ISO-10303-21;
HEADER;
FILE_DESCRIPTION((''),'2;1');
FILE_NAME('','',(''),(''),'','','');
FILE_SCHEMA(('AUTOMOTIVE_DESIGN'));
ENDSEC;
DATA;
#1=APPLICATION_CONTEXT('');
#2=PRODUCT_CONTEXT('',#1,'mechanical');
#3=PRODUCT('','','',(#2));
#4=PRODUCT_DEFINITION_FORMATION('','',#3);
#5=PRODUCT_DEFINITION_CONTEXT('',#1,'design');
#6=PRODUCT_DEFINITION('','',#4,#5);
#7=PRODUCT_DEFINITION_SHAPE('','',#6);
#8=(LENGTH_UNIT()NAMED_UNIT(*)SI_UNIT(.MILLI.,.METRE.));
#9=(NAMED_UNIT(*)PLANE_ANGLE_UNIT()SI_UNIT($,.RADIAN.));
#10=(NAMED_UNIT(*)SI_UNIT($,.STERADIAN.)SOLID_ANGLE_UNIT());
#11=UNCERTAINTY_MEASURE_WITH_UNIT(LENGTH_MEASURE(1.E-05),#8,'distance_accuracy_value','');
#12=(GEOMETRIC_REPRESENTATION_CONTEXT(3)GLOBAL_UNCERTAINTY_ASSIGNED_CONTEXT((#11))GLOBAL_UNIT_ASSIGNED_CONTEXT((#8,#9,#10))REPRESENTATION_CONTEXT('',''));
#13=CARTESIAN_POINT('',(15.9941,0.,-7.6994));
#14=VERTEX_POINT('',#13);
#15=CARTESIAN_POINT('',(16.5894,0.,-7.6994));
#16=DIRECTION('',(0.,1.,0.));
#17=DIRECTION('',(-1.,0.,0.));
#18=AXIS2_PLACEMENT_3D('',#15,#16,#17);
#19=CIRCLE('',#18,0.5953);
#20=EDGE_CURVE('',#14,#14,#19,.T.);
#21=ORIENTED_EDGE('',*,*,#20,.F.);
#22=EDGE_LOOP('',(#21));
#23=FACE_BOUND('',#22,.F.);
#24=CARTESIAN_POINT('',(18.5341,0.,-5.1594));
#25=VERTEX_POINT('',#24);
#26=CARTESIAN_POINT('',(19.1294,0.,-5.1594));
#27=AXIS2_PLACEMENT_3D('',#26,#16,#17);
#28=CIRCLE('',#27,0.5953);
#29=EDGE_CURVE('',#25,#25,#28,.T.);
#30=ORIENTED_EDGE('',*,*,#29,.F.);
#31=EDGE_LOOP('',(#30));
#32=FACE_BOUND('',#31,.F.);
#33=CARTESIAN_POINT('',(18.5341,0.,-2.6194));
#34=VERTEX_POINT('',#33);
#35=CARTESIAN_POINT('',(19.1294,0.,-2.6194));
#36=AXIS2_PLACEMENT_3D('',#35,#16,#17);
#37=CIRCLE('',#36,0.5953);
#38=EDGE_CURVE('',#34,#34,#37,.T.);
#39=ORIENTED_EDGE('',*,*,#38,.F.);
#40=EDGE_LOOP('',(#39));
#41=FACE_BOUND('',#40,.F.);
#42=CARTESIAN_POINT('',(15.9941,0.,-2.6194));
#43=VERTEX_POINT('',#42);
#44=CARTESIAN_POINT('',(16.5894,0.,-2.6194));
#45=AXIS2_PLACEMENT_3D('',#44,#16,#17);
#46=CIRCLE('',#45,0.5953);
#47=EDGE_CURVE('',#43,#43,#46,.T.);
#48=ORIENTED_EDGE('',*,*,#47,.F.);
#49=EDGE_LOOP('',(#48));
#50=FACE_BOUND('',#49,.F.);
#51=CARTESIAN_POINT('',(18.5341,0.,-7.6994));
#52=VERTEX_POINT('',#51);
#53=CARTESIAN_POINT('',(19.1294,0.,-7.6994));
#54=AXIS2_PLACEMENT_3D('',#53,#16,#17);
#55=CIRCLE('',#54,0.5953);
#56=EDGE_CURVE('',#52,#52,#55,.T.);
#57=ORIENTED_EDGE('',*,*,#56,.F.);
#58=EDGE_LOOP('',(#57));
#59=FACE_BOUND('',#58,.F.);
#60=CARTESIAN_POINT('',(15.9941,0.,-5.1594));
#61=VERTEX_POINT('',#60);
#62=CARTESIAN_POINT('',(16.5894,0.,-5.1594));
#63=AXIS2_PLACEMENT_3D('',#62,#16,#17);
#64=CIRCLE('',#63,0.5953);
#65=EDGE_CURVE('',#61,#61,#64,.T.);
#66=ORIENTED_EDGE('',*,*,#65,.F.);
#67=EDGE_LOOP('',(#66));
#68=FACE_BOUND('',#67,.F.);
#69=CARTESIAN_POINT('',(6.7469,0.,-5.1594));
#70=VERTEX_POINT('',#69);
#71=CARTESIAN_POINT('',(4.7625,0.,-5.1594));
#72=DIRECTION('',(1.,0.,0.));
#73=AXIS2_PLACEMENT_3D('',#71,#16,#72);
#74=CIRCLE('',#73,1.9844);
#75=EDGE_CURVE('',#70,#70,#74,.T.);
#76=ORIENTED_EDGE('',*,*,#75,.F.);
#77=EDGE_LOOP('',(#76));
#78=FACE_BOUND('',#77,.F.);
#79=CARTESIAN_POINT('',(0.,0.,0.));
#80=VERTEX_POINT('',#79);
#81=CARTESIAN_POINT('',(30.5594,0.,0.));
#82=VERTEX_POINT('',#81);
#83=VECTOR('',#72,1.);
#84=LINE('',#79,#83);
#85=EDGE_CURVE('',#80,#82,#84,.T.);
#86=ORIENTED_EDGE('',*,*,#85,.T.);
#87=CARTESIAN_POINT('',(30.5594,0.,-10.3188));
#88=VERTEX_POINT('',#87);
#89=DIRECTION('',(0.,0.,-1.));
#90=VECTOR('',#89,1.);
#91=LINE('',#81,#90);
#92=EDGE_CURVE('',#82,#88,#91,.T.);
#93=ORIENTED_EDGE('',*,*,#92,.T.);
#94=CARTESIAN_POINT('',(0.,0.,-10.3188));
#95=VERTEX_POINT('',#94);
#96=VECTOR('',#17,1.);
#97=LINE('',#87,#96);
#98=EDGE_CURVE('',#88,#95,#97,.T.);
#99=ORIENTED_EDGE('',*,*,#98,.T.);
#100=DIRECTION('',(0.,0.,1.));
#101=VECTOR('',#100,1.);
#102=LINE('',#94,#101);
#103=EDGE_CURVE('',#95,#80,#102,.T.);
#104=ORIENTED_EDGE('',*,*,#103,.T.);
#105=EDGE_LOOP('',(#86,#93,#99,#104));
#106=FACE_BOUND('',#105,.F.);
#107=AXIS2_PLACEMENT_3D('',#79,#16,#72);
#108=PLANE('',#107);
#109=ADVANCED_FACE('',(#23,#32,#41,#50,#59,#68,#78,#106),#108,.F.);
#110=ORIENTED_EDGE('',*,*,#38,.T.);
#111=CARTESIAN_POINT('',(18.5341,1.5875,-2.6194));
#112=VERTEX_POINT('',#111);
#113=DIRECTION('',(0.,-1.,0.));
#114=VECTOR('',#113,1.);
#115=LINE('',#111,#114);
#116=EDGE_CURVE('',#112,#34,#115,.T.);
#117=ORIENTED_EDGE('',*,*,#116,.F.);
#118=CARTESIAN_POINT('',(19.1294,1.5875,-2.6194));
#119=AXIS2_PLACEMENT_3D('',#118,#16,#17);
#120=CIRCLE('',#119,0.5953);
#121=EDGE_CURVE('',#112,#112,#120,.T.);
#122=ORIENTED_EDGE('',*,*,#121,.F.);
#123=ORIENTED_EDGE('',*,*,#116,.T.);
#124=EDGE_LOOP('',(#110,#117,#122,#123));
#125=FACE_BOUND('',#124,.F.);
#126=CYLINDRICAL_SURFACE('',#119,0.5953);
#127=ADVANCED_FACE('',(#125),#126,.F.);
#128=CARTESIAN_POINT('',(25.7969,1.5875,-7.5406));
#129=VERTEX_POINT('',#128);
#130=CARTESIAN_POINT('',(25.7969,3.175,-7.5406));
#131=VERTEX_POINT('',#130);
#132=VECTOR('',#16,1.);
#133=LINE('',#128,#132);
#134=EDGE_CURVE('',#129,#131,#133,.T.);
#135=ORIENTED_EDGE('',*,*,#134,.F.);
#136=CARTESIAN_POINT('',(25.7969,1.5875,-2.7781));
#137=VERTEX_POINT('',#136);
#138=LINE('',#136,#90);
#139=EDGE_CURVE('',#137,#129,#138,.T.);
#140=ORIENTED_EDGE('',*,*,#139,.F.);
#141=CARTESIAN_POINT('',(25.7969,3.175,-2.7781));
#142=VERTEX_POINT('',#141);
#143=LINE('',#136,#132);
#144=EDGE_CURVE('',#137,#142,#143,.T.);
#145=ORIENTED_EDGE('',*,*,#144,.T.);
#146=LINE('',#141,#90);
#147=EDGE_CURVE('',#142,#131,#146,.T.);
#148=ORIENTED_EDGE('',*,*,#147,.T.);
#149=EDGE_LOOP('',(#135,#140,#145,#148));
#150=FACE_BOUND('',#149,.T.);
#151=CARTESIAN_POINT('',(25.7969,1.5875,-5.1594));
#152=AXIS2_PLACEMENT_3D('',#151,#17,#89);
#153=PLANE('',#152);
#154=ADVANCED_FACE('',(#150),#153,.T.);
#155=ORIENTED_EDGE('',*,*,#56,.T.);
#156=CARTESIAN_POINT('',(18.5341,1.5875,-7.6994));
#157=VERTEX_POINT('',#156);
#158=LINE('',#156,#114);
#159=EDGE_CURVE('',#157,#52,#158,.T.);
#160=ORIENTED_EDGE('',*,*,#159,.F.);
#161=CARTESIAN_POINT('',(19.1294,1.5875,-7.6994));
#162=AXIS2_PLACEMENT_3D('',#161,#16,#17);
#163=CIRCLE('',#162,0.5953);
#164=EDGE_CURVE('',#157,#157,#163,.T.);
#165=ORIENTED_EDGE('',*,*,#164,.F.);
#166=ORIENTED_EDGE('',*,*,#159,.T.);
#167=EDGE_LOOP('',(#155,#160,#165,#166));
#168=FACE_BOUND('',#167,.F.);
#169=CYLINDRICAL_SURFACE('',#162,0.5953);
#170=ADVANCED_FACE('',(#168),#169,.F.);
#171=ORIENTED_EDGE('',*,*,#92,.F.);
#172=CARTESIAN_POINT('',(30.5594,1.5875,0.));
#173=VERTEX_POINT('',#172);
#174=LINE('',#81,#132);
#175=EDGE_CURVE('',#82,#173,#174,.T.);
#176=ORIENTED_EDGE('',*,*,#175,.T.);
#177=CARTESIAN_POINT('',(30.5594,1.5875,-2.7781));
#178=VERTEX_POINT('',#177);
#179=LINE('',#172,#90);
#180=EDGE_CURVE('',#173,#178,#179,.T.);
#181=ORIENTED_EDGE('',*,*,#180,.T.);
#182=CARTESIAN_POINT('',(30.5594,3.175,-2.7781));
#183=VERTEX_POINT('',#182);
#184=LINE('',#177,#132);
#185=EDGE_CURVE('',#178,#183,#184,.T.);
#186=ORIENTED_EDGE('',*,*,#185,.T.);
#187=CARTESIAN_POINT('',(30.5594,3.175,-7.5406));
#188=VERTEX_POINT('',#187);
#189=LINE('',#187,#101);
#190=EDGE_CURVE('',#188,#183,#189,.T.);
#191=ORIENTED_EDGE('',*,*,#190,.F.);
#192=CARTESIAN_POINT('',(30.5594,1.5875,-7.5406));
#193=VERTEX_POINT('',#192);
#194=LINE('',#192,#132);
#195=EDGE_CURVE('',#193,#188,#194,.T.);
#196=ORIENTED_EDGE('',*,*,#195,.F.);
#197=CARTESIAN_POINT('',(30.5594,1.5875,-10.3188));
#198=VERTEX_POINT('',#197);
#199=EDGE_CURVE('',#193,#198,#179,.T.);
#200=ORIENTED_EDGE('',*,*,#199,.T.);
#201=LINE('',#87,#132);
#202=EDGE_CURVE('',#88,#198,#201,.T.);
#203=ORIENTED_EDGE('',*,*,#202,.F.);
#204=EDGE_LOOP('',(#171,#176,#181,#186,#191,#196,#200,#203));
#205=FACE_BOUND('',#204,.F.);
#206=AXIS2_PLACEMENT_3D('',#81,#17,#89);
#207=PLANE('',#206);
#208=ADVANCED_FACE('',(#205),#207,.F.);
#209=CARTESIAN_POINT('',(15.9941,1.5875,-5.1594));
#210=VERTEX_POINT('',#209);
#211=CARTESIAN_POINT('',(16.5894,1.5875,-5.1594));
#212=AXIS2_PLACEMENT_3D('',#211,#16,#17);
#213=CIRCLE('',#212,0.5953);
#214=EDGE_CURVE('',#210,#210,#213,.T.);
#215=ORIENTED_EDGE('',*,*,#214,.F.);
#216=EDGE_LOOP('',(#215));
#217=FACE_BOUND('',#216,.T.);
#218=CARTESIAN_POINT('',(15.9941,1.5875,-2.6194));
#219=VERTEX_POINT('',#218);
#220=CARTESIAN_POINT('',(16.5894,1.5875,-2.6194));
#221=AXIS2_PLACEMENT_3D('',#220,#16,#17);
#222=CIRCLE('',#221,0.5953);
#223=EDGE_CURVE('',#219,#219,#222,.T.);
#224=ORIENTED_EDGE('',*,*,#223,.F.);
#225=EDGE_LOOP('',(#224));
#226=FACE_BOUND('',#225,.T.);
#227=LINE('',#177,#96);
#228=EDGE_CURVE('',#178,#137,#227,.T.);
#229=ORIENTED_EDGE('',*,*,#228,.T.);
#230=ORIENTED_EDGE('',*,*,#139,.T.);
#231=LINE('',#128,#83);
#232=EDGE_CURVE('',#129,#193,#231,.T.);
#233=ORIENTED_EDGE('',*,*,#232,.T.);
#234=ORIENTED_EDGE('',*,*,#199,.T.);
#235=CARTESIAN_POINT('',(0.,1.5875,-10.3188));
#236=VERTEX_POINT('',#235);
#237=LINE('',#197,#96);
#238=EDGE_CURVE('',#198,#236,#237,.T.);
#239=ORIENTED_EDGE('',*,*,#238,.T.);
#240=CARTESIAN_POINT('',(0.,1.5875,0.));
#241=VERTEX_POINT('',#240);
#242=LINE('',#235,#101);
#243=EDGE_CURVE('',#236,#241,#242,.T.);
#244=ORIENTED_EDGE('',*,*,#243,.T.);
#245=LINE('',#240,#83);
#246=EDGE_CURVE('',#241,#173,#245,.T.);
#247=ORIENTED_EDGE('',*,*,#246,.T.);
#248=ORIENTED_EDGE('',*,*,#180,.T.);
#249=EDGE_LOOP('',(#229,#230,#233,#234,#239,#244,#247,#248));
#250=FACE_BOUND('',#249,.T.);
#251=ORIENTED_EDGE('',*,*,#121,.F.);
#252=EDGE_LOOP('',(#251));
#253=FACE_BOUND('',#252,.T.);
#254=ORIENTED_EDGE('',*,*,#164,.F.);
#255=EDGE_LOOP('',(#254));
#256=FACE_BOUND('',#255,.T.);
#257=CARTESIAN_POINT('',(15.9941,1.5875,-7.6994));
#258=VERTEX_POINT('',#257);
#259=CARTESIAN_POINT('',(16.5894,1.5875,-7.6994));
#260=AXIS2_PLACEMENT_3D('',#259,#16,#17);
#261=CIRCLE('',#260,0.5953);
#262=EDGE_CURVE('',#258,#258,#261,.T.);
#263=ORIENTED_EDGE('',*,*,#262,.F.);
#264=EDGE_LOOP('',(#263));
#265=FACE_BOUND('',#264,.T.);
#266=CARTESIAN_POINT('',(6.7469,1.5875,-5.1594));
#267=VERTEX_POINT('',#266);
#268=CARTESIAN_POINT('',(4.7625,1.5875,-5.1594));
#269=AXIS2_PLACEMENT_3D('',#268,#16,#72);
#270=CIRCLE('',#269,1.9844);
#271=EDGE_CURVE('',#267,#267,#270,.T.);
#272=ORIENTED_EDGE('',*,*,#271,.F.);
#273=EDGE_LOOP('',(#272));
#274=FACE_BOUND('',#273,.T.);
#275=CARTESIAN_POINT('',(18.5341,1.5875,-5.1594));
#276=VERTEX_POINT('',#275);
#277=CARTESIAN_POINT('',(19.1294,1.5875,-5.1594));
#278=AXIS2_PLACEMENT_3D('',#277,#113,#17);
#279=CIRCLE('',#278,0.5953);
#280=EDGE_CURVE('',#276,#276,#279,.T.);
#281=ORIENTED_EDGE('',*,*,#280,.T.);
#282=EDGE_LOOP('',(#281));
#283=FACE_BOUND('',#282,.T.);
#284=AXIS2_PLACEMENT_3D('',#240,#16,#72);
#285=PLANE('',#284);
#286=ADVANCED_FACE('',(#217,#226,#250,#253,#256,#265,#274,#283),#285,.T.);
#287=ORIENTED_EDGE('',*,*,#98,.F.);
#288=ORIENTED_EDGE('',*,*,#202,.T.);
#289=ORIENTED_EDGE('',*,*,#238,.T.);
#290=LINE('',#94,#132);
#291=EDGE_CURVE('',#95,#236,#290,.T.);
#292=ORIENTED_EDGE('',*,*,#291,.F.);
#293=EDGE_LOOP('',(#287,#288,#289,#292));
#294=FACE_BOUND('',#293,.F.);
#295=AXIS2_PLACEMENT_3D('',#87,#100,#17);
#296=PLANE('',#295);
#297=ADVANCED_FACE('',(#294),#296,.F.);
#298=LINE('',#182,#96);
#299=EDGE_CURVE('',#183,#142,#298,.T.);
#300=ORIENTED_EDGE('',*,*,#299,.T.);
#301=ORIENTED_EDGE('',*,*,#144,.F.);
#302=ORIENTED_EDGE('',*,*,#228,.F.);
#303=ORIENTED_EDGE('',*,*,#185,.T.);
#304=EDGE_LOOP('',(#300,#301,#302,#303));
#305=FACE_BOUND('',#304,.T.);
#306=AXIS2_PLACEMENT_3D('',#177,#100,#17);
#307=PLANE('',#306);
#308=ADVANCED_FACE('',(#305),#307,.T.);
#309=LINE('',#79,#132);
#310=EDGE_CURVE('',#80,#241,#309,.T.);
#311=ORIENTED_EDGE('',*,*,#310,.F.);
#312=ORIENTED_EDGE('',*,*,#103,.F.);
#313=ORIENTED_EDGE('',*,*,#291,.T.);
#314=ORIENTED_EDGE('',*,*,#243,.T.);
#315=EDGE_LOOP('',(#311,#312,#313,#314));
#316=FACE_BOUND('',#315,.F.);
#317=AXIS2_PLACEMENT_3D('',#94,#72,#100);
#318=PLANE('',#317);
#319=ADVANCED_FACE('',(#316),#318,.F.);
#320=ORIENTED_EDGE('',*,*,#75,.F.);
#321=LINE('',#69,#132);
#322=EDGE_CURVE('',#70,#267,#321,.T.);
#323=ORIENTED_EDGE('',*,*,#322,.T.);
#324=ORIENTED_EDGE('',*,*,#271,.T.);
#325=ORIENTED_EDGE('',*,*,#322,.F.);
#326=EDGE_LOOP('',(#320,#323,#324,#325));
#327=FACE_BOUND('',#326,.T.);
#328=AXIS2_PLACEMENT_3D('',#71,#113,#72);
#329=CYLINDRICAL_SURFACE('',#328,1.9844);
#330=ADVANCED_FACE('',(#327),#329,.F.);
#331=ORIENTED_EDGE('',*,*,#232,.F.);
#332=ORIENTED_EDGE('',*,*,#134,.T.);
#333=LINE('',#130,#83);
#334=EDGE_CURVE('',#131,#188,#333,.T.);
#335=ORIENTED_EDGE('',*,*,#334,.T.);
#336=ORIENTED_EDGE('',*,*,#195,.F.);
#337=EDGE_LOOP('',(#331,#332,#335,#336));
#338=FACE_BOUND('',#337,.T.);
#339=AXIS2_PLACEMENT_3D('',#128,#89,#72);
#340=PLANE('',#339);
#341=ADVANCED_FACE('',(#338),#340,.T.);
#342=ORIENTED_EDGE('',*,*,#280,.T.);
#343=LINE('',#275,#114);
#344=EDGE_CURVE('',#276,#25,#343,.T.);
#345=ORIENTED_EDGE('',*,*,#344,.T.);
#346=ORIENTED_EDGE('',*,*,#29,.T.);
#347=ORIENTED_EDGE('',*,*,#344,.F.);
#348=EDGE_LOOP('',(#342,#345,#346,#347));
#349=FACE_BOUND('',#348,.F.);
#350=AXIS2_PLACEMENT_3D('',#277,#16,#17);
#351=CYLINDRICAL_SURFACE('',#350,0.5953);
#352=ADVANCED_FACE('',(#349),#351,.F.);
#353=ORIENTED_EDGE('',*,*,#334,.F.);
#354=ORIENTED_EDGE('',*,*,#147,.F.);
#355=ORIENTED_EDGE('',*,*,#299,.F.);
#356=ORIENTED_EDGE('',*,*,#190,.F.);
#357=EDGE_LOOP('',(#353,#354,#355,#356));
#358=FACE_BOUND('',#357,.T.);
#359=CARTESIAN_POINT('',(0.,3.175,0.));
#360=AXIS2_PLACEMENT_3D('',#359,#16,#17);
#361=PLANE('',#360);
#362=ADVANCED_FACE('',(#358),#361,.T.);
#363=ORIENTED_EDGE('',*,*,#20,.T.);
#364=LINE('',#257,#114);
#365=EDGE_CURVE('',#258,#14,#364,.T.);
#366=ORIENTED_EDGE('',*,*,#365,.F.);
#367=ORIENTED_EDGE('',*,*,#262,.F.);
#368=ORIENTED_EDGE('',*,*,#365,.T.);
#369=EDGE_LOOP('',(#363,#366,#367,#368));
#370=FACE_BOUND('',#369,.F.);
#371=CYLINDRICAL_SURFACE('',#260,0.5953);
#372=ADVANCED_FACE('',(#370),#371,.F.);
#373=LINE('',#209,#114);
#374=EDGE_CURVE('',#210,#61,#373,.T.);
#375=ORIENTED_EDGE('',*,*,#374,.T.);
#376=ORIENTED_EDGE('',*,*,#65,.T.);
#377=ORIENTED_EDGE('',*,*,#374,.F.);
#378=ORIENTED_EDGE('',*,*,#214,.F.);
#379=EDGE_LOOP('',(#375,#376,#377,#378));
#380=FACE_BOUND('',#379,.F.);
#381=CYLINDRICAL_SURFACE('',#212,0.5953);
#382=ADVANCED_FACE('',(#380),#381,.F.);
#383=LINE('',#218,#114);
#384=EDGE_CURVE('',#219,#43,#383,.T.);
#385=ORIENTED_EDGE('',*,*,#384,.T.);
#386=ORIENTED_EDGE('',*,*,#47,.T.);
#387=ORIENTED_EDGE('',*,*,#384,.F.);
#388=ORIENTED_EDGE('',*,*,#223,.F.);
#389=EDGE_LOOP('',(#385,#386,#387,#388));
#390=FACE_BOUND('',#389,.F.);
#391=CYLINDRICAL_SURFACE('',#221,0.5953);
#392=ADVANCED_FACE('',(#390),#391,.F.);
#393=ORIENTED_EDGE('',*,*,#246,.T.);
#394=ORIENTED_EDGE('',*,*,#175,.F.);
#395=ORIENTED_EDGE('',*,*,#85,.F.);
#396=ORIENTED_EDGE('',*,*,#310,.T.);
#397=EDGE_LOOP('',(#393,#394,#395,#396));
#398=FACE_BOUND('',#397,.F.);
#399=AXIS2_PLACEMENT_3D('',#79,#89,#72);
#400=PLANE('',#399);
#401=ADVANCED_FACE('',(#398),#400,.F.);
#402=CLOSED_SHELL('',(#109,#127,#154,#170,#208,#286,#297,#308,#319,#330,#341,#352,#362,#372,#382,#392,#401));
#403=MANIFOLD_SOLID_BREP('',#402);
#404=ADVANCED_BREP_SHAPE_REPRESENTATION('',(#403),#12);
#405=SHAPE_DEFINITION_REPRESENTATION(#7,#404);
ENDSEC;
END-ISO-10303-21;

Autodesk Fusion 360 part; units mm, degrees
sketch "Sketch1" plane through (0, 0, 0) normal (0, 1, 0) x (1, 0, 0) in component "Fast Light Board"
  line L0 (0, 0) -> (30.5594, 0)
  line L1 (30.5594, 0) -> (30.5594, 10.3188)
  line L2 (30.5594, 10.3188) -> (0, 10.3188)
  line L3 (0, 10.3188) -> (0, 0)
  circle A0 centre (4.7625, 5.1594) radius 1.9844
  dimension "d1" = 10.3188
  dimension "d2" = 30.5594
  dimension "d4" = 3.9688
extrude "Extrude1" add sketch "Sketch1" along normal blind 1.5875 in component "Fast Light Board"
sketch "Sketch2" plane through (0, 1.5875, 0) normal (0, 1, 0) x (-1, 0, 0) in component "Fast Light Board"
  circle A0 centre (-4.7625, -5.1594) radius 1.9844
  line L0 (0, -10.3188) -> (0, 0)
  line L1 (0, 0) -> (-30.5594, 0)
  line L2 (-30.5594, 0) -> (-30.5594, -10.3188)
  line L3 (-30.5594, -10.3188) -> (0, -10.3188)
  line L4 (-25.7969, -5.1594) -> (-25.7969, -7.5406)
  line L5 (-25.7969, -7.5406) -> (-30.5594, -7.5406)
  line L6 (-30.5594, -5.1594) -> (-30.5594, -7.5406)
  line L7 (-30.5594, -5.1594) -> (-30.5594, -2.7781)
  line L8 (-30.5594, -2.7781) -> (-25.7969, -2.7781)
  line L9 (-25.7969, -2.7781) -> (-25.7969, -5.1594)
  dimension "d7" = 4.7625
extrude "Extrude2" add sketch "Sketch2" along normal blind 1.5875 contours L2 L4 L5 L6 L7 L8 L9 in component "Fast Light Board"
sketch "Sketch3" plane through (0, 1.5875, 0) normal (0, 1, 0) x (-1, 0, 0) in component "Fast Light Board"
  line L0 (-25.7969, -7.5406) -> (-30.5594, -7.5406)
  line L1 (-30.5594, -7.5406) -> (-30.5594, -10.3188)
  line L2 (-30.5594, -10.3188) -> (0, -10.3188)
  line L3 (0, -10.3188) -> (0, 0)
  line L4 (0, 0) -> (-30.5594, 0)
  line L5 (-30.5594, 0) -> (-30.5594, -2.7781)
  line L6 (-30.5594, -2.7781) -> (-25.7969, -2.7781)
  line L7 (-25.7969, -2.7781) -> (-25.7969, -7.5406)
  circle A0 centre (-4.7625, -5.1594) radius 1.9844
  line L8 (-30.5594, -5.1594) -> (-17.8594, -5.1594)
  line L9 (-17.8594, -5.1594) -> (-19.1294, -5.1594)
  circle A1 centre (-19.1294, -5.1594) radius 0.5953
  circle A2 centre (-16.5894, -5.1594) radius 0.5953
  circle A3 centre (-19.1294, -7.6994) radius 0.5953
  circle A4 centre (-16.5894, -7.6994) radius 0.5953
  circle A5 centre (-16.5894, -2.6194) radius 0.5953
  circle A6 centre (-19.1294, -2.6194) radius 0.5953
  dimension "d12" = 12.7
  dimension "d13" = 1.27
  dimension "d14" = 1.1906
  dimension "d15" = 1.1906
  dimension "d16" = 1.1906
  dimension "d17" = 1.1906
  dimension "d18" = 1.1906
  dimension "d19" = 1.1906
extrude "Extrude3" cut sketch "Sketch3" against normal blind 1.5875 contours L8 L9 A1 | L8 L9 A1 | A2 | A3 | A4 | A5 | A6 in component "Fast Light Board"
component "Fast Light Board" placed x (1, 0, 0) y (0, 1, 0) z (0, 0, 1) at (0, 0, 0)
equation "d1 = ( 13 / 32 ) * 1 in"
equation "d2 = 1 13/64\""
equation "d4 = ( 5 / 32 ) * 1 in"
equation "d5 = ( 1 / 16 ) * 1 in"
equation "d7 = ( 3 / 16 ) * 1 in"
equation "d10 = ( 1 / 16 ) * 1 in"
equation "d14 = ( 3 / 64 ) * 1 in"
equation "d15 = ( 3 / 64 ) * 1 in"
equation "d16 = ( 3 / 64 ) * 1 in"
equation "d17 = ( 3 / 64 ) * 1 in"
equation "d18 = ( 3 / 64 ) * 1 in"
equation "d19 = ( 3 / 64 ) * 1 in"
equation "d20 = ( -1 / 16 ) * 1 in"
properties part number "fast-rgb-led-insert"
